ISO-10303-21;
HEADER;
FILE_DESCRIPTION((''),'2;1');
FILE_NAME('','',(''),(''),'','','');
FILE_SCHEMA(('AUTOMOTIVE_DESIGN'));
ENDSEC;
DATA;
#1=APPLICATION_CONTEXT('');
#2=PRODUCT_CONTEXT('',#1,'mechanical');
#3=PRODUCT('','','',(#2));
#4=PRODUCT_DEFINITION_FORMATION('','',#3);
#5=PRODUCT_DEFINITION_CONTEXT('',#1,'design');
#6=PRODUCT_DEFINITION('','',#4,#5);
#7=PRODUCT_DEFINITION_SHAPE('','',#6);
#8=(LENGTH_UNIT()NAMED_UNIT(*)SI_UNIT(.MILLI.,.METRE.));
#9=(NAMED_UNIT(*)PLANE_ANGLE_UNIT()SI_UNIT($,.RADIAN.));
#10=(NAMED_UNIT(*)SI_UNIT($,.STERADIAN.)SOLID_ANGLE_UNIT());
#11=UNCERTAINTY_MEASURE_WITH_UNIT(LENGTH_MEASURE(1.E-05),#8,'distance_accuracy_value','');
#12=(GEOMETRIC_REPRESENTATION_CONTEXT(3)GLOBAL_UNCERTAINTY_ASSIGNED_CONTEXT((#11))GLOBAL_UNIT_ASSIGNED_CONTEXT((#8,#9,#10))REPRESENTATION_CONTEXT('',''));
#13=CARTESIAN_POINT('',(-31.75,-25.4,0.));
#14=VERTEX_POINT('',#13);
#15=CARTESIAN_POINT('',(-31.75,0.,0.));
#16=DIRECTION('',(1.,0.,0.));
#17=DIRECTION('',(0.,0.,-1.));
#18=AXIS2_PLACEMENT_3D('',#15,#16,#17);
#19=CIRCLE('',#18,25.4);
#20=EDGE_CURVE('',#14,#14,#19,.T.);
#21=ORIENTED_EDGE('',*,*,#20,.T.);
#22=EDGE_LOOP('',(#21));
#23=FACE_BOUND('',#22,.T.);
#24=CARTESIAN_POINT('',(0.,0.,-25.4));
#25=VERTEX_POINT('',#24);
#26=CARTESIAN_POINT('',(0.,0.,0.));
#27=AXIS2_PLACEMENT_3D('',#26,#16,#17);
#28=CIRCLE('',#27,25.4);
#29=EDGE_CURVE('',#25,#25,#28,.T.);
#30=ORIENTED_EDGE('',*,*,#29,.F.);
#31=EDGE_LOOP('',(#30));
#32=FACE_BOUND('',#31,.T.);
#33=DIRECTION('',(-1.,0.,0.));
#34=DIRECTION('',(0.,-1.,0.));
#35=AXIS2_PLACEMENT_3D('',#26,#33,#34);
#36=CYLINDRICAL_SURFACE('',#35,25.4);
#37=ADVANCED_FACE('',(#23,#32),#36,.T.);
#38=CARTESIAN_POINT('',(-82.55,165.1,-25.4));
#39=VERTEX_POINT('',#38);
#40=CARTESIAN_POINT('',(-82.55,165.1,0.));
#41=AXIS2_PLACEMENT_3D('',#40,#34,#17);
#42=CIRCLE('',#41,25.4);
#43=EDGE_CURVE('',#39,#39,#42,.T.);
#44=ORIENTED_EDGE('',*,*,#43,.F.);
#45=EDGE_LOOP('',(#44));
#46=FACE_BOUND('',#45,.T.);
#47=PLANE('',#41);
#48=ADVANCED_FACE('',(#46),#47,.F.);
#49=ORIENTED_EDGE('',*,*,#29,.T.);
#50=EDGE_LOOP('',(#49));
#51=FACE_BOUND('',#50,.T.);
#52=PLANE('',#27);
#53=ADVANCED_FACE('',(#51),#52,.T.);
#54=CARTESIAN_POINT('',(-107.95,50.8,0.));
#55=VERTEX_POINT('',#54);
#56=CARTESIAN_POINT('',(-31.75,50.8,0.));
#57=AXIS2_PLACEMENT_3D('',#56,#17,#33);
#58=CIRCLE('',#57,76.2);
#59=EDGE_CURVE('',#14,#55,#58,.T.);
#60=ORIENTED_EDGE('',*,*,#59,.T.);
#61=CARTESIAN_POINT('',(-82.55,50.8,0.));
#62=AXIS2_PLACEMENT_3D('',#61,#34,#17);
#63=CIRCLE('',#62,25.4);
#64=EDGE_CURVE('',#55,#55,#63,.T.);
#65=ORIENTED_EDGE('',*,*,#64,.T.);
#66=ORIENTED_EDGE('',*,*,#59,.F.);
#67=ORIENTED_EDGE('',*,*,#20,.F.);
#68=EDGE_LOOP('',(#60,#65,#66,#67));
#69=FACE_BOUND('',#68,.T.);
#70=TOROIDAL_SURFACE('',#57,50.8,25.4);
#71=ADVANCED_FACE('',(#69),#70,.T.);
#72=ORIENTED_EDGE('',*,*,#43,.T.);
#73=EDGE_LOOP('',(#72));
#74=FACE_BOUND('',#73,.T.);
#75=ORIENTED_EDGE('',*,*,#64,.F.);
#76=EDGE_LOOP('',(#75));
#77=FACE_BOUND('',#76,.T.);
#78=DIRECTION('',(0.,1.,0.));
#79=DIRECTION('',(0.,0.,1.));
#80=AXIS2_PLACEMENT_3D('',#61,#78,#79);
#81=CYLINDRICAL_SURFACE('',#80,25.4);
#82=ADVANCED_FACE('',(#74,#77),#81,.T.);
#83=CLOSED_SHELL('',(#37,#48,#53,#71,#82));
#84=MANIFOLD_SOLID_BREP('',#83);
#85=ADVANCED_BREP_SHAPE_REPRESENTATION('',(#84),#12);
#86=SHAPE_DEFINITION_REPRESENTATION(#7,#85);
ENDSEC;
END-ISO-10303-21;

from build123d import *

# Parameters (mm, degrees)
SKETCH8_R = 25.4


with BuildPart() as part:
    # Sweep1: sweep along a path in Sketch7
    with BuildLine(Plane.XY) as sweep1_path:
        Line((0, 0), (-31.75, 0))
        ThreePointArc((-31.75, 0), (-67.671024484, 14.878975516), (-82.55, 50.8))
        Line((-82.55, 50.8), (-82.55, 165.1))
    # Sketch8 → Sweep1 (sweep)
    with BuildSketch(Plane(origin=(0, 0, 0), x_dir=(0, 0, -1), z_dir=(1, 0, 0))):
        Circle(SKETCH8_R)
    sweep(path=sweep1_path.line)


solid = part.part
